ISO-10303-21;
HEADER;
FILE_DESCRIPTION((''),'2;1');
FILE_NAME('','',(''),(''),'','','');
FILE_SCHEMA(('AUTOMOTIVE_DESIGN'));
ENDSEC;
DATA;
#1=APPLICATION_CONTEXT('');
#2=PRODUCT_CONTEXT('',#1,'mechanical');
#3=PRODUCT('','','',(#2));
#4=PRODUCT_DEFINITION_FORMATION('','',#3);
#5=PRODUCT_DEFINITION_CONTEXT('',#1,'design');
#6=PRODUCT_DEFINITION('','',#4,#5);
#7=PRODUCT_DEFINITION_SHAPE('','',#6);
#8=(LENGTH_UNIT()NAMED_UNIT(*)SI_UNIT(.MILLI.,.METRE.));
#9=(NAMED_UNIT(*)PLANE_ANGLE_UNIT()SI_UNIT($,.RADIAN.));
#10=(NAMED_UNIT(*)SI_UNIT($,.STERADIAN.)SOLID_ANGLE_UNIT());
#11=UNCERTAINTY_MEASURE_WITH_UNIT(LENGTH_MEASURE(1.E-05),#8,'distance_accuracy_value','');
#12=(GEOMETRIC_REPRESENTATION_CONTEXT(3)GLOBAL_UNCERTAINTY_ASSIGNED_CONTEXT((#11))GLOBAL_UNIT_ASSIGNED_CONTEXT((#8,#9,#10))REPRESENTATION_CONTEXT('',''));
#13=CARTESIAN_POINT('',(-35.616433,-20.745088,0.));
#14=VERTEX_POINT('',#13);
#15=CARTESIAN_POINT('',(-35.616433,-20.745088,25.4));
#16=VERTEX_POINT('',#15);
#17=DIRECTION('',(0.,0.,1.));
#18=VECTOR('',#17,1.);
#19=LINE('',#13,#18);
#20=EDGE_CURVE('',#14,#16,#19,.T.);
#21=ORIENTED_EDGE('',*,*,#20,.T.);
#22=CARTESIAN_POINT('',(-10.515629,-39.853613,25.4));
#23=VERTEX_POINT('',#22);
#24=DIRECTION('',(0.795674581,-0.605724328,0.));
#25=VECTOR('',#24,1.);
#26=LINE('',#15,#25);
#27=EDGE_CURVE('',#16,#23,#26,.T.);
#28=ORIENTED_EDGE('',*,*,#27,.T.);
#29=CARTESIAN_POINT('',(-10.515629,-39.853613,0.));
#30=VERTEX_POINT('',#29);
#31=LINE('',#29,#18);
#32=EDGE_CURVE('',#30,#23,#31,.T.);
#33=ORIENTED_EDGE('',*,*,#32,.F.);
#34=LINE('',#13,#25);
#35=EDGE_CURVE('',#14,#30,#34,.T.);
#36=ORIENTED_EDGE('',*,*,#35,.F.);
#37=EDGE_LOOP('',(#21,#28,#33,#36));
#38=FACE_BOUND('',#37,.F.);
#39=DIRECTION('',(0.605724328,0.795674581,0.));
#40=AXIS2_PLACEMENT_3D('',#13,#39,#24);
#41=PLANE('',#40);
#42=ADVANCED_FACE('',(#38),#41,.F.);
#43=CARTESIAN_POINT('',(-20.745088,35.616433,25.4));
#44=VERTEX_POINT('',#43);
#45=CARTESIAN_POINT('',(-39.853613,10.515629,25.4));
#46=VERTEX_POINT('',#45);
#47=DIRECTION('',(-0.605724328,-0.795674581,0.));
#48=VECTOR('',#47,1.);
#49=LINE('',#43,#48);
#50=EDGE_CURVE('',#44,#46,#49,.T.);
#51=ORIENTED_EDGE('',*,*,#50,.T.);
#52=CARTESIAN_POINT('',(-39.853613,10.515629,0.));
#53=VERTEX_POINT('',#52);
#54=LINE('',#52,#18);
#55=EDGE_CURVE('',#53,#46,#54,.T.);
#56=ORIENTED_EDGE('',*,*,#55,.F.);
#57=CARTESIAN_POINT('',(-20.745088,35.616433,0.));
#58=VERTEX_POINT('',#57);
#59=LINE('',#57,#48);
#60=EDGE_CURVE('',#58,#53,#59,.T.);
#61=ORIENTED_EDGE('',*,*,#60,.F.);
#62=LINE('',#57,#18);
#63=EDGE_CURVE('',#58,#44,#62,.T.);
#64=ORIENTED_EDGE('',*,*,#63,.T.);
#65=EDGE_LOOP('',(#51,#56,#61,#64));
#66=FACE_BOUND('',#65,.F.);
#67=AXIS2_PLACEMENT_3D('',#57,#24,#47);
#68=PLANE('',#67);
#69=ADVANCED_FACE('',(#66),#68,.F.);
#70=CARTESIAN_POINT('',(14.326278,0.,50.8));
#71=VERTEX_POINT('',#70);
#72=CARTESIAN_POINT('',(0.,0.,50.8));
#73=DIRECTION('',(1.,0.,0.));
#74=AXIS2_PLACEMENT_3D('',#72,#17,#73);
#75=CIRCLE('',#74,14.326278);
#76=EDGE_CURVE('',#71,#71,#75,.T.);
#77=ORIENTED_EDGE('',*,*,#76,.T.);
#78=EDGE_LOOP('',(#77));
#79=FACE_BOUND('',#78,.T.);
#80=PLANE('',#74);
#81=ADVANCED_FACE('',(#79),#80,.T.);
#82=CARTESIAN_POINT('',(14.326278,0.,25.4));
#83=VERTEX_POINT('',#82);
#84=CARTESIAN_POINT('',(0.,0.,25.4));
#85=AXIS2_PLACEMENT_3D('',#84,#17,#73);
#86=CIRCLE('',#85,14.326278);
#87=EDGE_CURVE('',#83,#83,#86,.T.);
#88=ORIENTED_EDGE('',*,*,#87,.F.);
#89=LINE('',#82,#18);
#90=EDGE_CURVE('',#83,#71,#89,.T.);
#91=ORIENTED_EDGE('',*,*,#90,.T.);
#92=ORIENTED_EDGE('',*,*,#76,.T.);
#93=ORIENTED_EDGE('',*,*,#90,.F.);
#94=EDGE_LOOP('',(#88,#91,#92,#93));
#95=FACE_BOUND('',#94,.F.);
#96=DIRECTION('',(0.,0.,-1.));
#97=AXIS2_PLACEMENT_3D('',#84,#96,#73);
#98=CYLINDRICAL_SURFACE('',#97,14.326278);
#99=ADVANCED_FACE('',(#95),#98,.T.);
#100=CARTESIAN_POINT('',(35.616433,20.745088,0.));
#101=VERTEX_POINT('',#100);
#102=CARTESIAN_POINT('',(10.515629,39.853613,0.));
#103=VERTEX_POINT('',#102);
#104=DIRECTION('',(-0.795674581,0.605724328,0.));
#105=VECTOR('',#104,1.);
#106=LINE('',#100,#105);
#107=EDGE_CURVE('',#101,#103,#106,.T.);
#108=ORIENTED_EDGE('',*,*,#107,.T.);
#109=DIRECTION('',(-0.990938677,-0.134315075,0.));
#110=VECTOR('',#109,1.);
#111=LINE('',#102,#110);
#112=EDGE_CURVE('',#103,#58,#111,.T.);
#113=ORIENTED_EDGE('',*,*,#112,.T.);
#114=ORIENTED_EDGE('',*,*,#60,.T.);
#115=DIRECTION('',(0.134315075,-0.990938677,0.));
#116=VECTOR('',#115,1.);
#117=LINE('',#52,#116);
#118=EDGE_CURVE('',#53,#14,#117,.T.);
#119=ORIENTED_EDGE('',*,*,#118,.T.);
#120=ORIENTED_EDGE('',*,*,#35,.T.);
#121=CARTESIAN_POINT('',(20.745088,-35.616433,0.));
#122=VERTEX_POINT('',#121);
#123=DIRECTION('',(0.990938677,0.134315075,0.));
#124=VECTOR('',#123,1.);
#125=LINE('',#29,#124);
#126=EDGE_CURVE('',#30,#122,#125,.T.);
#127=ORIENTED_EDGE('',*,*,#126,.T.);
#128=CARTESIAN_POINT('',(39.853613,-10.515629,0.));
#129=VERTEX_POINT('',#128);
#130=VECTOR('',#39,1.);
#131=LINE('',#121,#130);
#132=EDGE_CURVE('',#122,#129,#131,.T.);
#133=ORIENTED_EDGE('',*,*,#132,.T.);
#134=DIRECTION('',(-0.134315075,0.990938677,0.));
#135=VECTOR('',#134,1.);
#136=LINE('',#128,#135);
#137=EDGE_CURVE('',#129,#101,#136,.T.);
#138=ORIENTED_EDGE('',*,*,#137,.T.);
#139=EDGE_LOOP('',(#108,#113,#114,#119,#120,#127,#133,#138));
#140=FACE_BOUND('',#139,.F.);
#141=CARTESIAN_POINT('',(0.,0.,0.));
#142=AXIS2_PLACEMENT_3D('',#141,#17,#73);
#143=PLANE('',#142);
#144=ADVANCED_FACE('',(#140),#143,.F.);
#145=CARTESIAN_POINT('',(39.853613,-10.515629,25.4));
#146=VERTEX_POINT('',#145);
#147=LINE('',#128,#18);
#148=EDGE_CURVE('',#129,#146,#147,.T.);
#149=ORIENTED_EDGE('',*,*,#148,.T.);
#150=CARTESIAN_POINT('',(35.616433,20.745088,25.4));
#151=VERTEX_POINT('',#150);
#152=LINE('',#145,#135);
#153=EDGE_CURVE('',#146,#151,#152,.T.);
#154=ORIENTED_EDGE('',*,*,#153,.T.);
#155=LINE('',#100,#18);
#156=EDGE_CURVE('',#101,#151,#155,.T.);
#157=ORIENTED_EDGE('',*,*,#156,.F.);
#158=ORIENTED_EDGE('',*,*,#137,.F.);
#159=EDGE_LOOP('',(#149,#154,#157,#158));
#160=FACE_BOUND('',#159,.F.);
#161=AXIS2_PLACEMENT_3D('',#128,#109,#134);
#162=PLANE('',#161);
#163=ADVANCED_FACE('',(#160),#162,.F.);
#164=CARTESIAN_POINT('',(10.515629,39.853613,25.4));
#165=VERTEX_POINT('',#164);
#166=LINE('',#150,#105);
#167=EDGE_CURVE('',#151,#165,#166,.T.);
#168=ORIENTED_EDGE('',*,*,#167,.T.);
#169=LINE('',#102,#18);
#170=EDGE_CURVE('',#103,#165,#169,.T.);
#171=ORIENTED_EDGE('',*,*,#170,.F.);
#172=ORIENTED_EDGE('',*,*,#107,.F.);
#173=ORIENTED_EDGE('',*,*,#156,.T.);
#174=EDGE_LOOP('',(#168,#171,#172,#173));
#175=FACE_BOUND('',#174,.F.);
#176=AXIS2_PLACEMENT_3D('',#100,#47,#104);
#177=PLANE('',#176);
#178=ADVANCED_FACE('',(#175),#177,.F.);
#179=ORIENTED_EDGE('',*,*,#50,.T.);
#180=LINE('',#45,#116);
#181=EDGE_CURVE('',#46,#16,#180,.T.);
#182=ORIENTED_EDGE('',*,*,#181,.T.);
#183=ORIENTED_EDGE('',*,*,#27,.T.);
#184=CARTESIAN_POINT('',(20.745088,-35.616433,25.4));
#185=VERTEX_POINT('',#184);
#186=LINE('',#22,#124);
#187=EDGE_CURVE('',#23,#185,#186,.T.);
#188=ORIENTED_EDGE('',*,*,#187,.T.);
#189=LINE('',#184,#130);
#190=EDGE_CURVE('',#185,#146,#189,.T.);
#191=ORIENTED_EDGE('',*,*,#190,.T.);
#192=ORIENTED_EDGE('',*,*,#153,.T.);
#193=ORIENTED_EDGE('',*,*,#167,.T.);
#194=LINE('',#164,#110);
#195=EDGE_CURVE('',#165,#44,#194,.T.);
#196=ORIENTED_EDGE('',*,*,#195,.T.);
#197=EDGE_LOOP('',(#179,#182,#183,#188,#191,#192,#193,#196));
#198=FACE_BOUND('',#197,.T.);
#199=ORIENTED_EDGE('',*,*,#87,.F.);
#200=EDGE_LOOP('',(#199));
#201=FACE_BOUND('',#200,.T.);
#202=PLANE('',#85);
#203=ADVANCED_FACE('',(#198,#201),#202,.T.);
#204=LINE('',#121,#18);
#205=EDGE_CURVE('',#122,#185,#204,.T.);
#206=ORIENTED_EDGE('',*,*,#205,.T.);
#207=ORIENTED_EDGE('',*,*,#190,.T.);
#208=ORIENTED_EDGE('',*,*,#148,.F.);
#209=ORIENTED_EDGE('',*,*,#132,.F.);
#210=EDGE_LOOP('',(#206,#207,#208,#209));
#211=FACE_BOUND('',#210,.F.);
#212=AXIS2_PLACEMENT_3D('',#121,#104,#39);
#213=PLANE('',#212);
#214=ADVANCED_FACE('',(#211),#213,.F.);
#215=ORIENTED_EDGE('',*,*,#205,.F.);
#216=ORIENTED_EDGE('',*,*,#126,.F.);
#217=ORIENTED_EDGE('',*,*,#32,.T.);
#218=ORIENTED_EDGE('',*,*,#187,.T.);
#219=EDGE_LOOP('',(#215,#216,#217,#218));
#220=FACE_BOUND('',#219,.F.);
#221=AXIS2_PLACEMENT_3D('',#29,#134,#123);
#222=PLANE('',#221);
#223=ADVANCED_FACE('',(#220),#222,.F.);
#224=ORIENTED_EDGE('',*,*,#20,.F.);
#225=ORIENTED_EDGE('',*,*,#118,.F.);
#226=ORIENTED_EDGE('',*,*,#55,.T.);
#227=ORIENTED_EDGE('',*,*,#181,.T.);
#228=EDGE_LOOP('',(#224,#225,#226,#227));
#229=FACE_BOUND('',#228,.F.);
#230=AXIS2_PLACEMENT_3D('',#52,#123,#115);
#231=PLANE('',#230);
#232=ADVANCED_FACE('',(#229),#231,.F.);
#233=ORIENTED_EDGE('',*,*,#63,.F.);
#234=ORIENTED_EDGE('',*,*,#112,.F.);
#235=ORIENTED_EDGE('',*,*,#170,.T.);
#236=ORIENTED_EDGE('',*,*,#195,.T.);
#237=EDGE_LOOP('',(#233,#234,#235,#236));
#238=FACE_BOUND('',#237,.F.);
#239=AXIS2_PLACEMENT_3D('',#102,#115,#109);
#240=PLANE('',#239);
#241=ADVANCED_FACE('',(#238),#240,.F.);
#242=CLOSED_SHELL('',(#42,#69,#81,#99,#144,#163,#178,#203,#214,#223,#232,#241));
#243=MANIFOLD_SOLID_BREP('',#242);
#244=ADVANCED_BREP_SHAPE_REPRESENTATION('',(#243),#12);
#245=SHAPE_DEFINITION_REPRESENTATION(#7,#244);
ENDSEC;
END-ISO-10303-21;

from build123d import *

# Parameters (mm, degrees)
F1_DEPTH = 25.4
F2_R     = 14.326278
F3_DEPTH = 25.4


with BuildPart() as f1:
    # F0 (on Top) → F1 (new body)
    with BuildSketch(Plane.XY):
        Polygon((20.745088, -35.616433), (39.853613, -10.515629), (35.616433, 20.745088), (10.515629, 39.853613), (-20.745088, 35.616433), (-39.853613, 10.515629), (-35.616433, -20.745088), (-10.515629, -39.853613), align=None)
    extrude(amount=F1_DEPTH)

    # F2 (on face) → F3 (join)
    with BuildSketch(Plane.XY.offset(25.4)):
        Circle(F2_R)
    extrude(amount=F3_DEPTH)


solid = f1.part
